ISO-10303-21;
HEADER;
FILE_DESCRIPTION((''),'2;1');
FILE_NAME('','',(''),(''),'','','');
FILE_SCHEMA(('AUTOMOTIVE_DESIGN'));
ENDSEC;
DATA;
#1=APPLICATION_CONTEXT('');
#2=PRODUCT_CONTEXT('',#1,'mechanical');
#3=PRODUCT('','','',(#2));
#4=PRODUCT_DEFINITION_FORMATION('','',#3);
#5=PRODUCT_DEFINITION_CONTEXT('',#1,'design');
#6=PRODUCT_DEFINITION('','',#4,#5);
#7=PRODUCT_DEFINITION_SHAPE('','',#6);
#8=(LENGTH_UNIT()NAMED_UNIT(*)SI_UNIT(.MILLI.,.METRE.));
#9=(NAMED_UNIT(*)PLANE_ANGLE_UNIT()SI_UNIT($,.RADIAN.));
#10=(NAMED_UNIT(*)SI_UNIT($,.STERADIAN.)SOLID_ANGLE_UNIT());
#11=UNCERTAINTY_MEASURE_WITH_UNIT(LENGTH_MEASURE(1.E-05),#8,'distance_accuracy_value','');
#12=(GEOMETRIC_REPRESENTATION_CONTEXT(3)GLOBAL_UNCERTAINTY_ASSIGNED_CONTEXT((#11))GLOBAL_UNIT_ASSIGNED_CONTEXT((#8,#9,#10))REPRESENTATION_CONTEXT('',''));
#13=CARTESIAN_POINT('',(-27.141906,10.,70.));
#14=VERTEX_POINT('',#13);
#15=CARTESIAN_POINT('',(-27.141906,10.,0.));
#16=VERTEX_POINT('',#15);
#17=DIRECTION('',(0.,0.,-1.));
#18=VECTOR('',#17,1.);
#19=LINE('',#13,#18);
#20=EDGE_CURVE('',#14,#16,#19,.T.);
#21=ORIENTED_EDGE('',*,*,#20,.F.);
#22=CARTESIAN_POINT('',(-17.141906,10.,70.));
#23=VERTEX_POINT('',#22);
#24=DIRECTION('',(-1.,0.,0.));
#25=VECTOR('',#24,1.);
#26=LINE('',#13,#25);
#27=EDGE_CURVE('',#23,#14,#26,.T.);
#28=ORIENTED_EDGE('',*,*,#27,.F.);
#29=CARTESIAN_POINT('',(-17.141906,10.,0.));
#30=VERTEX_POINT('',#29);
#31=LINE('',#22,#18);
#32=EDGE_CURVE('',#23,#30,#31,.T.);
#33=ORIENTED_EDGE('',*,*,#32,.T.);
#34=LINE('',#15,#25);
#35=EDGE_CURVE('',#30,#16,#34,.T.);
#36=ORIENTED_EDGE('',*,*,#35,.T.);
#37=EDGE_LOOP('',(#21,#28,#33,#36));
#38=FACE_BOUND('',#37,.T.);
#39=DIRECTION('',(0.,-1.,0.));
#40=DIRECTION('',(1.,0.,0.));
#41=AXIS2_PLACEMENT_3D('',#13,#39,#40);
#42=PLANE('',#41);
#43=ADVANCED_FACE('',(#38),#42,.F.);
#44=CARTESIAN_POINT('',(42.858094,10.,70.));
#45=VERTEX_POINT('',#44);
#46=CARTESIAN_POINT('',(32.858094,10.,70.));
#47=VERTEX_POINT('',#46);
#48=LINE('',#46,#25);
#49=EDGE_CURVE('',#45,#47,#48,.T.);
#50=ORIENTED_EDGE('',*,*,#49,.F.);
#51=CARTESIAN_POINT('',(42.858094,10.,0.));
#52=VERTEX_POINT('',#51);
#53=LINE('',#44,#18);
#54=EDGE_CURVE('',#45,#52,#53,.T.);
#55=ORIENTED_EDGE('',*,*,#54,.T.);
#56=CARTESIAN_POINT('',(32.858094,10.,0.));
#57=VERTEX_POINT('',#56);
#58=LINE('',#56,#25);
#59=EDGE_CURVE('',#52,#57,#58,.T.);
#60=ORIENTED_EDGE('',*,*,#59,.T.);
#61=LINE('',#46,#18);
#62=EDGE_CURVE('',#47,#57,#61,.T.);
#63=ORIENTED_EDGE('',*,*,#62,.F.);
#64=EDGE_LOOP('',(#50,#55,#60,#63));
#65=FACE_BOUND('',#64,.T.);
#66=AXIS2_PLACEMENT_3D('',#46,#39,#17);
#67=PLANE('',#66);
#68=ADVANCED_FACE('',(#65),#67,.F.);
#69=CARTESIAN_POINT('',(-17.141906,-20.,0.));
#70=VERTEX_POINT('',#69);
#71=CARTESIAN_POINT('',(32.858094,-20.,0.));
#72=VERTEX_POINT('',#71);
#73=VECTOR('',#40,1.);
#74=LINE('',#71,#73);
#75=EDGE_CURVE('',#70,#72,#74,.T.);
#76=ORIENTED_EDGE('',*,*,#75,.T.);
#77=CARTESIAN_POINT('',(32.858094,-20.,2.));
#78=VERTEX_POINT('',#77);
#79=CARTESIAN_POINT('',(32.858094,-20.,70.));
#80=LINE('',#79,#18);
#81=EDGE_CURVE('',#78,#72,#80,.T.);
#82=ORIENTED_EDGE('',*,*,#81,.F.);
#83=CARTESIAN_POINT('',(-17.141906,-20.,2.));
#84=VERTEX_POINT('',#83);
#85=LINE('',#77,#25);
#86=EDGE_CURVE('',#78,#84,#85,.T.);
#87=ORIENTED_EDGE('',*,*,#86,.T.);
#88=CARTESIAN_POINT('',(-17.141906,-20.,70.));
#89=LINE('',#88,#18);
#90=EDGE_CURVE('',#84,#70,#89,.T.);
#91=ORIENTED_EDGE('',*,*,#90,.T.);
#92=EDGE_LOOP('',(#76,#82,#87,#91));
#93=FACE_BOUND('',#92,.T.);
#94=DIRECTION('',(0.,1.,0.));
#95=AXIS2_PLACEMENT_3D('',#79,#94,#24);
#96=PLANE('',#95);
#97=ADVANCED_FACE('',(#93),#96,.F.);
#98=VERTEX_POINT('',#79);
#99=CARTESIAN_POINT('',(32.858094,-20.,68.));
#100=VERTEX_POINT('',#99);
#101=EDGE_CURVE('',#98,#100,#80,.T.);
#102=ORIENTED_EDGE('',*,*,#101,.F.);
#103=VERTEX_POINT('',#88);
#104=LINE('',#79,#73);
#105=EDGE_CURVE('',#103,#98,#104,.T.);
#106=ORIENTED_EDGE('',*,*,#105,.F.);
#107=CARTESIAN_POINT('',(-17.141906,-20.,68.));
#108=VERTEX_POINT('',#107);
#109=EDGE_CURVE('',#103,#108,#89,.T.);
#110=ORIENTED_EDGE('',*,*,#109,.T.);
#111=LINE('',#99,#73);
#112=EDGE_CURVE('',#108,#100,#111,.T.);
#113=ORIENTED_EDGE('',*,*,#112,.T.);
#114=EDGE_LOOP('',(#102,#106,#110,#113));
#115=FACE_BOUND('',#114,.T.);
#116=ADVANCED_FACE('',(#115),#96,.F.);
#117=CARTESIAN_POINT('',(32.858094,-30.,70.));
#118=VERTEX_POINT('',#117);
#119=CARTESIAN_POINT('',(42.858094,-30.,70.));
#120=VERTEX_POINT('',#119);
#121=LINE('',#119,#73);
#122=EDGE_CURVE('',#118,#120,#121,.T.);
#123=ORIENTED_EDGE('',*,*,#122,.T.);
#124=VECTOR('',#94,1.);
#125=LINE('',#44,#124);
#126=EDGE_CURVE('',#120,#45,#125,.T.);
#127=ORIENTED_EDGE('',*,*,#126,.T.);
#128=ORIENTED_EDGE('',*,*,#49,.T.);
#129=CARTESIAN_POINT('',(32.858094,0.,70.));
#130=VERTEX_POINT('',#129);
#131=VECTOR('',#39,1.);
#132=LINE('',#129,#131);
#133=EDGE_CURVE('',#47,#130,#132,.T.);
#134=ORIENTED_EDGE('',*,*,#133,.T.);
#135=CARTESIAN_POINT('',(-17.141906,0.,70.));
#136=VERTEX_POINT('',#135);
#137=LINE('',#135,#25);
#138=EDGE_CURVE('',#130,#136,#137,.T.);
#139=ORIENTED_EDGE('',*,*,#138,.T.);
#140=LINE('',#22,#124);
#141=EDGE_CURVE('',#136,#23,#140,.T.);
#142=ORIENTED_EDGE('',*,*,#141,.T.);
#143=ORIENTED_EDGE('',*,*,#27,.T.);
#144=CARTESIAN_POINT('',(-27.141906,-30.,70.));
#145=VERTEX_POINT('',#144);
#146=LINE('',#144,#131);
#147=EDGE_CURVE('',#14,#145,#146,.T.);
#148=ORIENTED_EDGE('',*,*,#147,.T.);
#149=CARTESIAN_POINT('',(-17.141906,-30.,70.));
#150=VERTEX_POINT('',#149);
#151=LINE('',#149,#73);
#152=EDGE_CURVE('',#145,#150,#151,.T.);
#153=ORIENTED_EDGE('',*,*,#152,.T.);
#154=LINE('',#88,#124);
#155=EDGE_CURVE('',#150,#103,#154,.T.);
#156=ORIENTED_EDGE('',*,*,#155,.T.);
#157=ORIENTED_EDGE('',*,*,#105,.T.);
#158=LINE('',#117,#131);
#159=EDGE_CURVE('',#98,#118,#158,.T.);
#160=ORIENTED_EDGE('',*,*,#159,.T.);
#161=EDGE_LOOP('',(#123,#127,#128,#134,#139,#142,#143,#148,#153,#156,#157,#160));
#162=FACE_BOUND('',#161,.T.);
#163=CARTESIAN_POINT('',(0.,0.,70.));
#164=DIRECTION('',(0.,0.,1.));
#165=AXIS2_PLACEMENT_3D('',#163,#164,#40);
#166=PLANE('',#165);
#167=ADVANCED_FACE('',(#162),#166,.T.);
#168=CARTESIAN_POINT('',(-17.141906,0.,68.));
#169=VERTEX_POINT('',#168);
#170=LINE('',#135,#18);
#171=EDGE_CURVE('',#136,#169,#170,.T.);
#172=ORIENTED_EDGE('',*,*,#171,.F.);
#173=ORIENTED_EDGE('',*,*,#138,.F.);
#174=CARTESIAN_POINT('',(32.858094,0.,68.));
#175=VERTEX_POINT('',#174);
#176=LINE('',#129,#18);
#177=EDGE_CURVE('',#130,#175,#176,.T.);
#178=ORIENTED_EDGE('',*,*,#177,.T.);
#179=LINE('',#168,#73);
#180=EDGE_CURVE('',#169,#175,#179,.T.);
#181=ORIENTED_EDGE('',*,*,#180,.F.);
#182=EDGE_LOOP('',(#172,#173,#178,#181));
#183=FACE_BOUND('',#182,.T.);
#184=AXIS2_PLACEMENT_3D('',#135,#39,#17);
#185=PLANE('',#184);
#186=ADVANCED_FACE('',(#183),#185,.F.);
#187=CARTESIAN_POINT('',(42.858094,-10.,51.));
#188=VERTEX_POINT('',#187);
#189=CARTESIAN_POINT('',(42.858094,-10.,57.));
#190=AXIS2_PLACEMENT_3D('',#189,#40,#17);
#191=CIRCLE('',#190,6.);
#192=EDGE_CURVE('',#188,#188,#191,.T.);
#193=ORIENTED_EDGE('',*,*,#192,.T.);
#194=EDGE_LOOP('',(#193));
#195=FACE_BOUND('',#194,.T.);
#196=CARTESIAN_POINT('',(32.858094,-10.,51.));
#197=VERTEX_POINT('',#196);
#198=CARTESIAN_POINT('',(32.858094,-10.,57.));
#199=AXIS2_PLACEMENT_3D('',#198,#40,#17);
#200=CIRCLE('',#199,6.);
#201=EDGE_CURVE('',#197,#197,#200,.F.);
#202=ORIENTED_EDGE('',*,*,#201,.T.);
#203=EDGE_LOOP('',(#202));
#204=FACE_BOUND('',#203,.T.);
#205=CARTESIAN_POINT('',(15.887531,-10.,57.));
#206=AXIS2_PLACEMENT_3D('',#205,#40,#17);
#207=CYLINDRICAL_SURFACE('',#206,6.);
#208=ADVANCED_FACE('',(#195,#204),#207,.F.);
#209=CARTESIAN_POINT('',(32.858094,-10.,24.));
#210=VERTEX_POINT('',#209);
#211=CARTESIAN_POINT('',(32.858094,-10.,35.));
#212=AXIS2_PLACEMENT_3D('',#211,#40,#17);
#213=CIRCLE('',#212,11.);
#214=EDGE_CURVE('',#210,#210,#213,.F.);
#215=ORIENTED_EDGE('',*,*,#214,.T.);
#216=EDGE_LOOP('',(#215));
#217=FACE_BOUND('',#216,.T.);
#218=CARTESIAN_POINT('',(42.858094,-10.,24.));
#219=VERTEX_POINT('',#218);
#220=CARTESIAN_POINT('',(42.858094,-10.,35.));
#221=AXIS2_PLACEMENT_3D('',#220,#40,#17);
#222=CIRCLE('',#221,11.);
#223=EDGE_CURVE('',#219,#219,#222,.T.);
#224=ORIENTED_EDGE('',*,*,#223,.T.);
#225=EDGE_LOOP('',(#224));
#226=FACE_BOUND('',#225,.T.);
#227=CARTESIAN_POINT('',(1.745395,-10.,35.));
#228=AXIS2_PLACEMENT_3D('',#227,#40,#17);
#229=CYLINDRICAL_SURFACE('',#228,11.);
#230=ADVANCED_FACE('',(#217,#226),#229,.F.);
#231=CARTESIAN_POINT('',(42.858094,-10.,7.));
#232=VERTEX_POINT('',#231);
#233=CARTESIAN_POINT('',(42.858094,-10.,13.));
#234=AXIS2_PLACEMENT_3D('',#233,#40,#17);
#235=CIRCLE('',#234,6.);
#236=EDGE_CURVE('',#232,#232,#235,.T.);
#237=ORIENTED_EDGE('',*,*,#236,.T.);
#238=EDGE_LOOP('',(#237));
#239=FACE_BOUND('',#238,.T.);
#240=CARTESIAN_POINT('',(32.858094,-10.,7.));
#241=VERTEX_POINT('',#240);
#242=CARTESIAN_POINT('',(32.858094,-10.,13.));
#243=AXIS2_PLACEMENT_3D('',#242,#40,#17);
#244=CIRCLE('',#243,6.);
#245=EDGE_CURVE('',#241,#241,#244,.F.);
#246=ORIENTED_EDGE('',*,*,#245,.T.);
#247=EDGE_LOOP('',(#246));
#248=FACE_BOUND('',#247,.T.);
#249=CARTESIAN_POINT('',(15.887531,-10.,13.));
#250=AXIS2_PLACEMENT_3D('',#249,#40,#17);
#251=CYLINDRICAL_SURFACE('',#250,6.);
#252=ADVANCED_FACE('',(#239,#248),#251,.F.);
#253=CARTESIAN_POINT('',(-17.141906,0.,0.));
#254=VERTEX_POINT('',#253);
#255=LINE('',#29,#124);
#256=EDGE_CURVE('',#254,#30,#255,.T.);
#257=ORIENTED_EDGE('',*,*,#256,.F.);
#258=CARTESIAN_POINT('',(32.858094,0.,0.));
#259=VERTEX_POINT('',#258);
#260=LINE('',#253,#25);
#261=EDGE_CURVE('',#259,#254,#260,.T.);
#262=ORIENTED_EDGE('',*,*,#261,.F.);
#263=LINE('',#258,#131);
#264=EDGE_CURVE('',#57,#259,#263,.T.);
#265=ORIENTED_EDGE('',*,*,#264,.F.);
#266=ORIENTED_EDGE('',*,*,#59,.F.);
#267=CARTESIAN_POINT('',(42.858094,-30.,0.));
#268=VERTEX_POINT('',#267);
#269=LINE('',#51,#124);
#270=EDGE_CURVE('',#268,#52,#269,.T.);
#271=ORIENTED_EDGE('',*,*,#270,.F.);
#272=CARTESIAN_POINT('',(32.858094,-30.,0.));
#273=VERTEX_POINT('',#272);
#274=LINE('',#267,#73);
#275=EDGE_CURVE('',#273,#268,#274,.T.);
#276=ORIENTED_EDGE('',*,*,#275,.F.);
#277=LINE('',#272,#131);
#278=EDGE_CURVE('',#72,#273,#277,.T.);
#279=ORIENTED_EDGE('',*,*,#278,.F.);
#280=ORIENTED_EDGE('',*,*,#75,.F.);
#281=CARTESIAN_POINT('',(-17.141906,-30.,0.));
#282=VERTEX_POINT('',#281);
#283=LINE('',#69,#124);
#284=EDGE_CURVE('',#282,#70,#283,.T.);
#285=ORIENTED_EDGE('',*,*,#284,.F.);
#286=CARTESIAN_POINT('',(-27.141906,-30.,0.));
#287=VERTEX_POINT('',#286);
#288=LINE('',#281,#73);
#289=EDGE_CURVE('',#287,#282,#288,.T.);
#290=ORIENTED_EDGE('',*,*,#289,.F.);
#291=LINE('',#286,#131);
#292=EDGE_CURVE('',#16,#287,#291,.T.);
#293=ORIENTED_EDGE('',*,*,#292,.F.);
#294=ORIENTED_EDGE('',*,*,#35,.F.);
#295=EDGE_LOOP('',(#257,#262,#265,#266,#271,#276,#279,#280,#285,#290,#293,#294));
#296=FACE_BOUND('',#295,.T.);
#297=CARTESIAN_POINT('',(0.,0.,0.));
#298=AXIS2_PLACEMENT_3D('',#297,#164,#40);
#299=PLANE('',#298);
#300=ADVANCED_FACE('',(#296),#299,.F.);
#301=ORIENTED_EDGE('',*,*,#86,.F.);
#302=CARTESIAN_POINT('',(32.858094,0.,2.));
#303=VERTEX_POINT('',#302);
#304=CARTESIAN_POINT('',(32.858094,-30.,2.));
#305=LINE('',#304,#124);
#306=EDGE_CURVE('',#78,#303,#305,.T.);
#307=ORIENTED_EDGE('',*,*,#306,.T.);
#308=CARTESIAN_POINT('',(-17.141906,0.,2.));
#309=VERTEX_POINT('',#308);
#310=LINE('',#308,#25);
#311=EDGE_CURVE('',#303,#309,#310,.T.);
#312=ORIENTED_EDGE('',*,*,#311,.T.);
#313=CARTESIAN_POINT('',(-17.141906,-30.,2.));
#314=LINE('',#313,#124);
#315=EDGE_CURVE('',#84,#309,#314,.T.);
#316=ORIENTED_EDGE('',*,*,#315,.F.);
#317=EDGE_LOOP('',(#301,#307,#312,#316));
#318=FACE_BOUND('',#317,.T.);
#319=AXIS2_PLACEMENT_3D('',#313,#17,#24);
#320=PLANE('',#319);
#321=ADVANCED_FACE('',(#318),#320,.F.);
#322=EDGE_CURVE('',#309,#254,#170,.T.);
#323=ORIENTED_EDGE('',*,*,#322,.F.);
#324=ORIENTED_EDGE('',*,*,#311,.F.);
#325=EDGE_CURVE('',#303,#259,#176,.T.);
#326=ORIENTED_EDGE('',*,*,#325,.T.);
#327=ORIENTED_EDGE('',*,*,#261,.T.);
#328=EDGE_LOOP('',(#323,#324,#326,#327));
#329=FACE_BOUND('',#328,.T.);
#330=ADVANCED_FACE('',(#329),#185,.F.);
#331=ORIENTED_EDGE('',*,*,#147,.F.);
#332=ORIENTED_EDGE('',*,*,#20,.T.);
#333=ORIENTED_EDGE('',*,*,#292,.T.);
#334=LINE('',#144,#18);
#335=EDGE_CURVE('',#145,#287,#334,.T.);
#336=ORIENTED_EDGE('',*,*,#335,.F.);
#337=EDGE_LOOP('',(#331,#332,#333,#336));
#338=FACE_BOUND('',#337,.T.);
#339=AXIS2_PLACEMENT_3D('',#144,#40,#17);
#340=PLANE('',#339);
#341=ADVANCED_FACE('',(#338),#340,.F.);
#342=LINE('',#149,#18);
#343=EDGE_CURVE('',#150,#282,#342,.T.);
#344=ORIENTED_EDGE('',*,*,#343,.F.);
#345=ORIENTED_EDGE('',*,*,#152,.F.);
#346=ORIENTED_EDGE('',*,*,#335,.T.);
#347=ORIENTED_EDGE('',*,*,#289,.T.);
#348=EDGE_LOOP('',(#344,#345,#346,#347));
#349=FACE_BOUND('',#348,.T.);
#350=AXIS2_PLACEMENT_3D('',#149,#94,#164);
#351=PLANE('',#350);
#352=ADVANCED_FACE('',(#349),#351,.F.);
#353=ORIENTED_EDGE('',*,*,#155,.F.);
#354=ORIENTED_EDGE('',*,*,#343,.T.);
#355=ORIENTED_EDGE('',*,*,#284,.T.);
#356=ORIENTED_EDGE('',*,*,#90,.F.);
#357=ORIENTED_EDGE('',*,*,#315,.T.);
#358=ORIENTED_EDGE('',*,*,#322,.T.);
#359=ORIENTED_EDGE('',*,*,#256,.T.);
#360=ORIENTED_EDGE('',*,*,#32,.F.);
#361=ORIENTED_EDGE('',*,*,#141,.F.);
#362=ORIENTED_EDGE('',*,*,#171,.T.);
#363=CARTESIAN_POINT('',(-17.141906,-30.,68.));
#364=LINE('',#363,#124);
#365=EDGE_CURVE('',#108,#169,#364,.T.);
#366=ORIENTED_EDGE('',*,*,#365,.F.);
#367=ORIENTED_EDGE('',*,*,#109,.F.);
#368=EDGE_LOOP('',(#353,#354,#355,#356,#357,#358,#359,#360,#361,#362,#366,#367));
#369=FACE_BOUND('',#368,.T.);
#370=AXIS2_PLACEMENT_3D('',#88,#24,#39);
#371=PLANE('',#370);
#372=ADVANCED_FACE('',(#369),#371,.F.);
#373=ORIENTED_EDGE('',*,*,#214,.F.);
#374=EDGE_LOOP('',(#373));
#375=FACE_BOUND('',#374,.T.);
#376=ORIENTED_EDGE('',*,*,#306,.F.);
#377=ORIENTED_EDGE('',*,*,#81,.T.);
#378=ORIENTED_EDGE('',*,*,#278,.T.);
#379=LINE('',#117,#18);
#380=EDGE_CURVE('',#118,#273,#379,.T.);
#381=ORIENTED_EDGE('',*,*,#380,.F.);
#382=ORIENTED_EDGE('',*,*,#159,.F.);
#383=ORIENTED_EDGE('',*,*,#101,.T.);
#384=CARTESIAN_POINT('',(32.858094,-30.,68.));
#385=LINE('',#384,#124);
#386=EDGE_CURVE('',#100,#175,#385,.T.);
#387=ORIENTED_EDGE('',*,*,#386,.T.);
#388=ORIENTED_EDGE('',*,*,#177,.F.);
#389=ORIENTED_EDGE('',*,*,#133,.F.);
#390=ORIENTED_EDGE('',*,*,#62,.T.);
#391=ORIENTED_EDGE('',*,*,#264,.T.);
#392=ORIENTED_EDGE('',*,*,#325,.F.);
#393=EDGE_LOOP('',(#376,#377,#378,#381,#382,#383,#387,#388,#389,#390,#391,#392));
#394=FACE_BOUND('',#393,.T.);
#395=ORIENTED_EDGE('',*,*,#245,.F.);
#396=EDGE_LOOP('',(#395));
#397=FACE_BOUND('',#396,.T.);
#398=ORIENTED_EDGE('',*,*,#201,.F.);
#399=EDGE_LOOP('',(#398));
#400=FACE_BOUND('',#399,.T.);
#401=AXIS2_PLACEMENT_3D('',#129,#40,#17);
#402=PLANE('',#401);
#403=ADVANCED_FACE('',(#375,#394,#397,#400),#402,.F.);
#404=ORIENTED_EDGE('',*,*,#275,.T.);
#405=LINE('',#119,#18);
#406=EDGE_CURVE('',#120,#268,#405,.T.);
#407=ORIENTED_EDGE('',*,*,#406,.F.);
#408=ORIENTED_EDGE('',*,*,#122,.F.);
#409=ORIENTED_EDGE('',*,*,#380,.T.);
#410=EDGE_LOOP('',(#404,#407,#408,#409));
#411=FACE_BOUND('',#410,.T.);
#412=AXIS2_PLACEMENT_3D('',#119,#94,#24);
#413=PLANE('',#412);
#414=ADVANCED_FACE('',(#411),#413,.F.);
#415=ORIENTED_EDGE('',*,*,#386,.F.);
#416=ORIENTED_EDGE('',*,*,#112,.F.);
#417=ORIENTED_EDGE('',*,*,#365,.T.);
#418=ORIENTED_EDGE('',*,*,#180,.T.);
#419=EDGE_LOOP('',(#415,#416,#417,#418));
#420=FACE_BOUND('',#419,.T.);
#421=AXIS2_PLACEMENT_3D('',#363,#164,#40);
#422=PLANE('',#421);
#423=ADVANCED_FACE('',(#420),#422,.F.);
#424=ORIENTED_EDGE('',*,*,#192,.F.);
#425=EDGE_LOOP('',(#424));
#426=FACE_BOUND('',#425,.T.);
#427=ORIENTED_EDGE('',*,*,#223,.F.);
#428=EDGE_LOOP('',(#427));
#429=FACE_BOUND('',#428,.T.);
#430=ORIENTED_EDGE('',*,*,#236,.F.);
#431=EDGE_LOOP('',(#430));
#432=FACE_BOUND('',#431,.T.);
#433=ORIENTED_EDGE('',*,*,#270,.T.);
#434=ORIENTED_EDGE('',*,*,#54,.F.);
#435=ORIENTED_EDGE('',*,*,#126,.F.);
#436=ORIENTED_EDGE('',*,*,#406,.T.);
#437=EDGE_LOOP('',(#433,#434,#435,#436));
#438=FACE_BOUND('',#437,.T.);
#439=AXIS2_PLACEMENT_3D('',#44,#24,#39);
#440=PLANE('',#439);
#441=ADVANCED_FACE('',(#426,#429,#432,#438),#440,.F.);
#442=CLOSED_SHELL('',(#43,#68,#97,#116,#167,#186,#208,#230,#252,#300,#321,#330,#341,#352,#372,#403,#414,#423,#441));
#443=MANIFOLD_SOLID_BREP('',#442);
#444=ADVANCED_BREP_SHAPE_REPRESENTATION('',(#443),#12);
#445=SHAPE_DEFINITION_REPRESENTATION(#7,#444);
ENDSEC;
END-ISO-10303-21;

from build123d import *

# Parameters (mm, degrees)
BOSS_EXTRUDE1_DEPTH = 70
SKETCH3_W           = 50
SKETCH3_H           = 66
CUT_EXTRUDE1_DEPTH  = 88.388879183
SKETCH4_R           = 11
CUT_EXTRUDE2_DEPTH  = 10
SKETCH5_R           = 6
CUT_EXTRUDE3_DEPTH  = 10


with BuildPart() as part:
    # Sketch1 → Boss-Extrude1 (new body)
    with BuildSketch(Plane.XY):
        Polygon((-17.141906192, 0), (32.858093808, 0), (32.858093808, 10), (42.858093808, 10), (42.858093808, -30), (32.858093808, -30), (32.858093808, -20), (-17.141906192, -20), (-17.141906192, -30), (-27.141906192, -30), (-27.141906192, 10), (-17.141906192, 10), align=None)
    extrude(amount=BOSS_EXTRUDE1_DEPTH)

    # Sketch3 → Cut-Extrude1 (cut, through all)
    with BuildSketch(Plane(origin=(0, 0, 0), x_dir=(1, 0, 0), z_dir=(0, 1, 0))):
        with Locations((7.858093808, -35)):
            Rectangle(SKETCH3_W, SKETCH3_H)
    extrude(amount=-CUT_EXTRUDE1_DEPTH, mode=Mode.SUBTRACT)

    # Sketch4 → Cut-Extrude2 (cut)
    with BuildSketch(Plane(origin=(42.858093808, 0, 0), x_dir=(0, 0, -1), z_dir=(1, 0, 0))):
        with Locations((-35, -10)):
            Circle(SKETCH4_R)
    extrude(amount=-CUT_EXTRUDE2_DEPTH, mode=Mode.SUBTRACT)

    # Sketch5 → Cut-Extrude3 (cut)
    with BuildSketch(Plane(origin=(42.858093808, 0, 0), x_dir=(0, 0, -1), z_dir=(1, 0, 0))):
        with Locations((-13, -10)):
            Circle(SKETCH5_R)
        with Locations((-57, -10)):
            Circle(SKETCH5_R)
    extrude(amount=-CUT_EXTRUDE3_DEPTH, mode=Mode.SUBTRACT)


solid = part.part
